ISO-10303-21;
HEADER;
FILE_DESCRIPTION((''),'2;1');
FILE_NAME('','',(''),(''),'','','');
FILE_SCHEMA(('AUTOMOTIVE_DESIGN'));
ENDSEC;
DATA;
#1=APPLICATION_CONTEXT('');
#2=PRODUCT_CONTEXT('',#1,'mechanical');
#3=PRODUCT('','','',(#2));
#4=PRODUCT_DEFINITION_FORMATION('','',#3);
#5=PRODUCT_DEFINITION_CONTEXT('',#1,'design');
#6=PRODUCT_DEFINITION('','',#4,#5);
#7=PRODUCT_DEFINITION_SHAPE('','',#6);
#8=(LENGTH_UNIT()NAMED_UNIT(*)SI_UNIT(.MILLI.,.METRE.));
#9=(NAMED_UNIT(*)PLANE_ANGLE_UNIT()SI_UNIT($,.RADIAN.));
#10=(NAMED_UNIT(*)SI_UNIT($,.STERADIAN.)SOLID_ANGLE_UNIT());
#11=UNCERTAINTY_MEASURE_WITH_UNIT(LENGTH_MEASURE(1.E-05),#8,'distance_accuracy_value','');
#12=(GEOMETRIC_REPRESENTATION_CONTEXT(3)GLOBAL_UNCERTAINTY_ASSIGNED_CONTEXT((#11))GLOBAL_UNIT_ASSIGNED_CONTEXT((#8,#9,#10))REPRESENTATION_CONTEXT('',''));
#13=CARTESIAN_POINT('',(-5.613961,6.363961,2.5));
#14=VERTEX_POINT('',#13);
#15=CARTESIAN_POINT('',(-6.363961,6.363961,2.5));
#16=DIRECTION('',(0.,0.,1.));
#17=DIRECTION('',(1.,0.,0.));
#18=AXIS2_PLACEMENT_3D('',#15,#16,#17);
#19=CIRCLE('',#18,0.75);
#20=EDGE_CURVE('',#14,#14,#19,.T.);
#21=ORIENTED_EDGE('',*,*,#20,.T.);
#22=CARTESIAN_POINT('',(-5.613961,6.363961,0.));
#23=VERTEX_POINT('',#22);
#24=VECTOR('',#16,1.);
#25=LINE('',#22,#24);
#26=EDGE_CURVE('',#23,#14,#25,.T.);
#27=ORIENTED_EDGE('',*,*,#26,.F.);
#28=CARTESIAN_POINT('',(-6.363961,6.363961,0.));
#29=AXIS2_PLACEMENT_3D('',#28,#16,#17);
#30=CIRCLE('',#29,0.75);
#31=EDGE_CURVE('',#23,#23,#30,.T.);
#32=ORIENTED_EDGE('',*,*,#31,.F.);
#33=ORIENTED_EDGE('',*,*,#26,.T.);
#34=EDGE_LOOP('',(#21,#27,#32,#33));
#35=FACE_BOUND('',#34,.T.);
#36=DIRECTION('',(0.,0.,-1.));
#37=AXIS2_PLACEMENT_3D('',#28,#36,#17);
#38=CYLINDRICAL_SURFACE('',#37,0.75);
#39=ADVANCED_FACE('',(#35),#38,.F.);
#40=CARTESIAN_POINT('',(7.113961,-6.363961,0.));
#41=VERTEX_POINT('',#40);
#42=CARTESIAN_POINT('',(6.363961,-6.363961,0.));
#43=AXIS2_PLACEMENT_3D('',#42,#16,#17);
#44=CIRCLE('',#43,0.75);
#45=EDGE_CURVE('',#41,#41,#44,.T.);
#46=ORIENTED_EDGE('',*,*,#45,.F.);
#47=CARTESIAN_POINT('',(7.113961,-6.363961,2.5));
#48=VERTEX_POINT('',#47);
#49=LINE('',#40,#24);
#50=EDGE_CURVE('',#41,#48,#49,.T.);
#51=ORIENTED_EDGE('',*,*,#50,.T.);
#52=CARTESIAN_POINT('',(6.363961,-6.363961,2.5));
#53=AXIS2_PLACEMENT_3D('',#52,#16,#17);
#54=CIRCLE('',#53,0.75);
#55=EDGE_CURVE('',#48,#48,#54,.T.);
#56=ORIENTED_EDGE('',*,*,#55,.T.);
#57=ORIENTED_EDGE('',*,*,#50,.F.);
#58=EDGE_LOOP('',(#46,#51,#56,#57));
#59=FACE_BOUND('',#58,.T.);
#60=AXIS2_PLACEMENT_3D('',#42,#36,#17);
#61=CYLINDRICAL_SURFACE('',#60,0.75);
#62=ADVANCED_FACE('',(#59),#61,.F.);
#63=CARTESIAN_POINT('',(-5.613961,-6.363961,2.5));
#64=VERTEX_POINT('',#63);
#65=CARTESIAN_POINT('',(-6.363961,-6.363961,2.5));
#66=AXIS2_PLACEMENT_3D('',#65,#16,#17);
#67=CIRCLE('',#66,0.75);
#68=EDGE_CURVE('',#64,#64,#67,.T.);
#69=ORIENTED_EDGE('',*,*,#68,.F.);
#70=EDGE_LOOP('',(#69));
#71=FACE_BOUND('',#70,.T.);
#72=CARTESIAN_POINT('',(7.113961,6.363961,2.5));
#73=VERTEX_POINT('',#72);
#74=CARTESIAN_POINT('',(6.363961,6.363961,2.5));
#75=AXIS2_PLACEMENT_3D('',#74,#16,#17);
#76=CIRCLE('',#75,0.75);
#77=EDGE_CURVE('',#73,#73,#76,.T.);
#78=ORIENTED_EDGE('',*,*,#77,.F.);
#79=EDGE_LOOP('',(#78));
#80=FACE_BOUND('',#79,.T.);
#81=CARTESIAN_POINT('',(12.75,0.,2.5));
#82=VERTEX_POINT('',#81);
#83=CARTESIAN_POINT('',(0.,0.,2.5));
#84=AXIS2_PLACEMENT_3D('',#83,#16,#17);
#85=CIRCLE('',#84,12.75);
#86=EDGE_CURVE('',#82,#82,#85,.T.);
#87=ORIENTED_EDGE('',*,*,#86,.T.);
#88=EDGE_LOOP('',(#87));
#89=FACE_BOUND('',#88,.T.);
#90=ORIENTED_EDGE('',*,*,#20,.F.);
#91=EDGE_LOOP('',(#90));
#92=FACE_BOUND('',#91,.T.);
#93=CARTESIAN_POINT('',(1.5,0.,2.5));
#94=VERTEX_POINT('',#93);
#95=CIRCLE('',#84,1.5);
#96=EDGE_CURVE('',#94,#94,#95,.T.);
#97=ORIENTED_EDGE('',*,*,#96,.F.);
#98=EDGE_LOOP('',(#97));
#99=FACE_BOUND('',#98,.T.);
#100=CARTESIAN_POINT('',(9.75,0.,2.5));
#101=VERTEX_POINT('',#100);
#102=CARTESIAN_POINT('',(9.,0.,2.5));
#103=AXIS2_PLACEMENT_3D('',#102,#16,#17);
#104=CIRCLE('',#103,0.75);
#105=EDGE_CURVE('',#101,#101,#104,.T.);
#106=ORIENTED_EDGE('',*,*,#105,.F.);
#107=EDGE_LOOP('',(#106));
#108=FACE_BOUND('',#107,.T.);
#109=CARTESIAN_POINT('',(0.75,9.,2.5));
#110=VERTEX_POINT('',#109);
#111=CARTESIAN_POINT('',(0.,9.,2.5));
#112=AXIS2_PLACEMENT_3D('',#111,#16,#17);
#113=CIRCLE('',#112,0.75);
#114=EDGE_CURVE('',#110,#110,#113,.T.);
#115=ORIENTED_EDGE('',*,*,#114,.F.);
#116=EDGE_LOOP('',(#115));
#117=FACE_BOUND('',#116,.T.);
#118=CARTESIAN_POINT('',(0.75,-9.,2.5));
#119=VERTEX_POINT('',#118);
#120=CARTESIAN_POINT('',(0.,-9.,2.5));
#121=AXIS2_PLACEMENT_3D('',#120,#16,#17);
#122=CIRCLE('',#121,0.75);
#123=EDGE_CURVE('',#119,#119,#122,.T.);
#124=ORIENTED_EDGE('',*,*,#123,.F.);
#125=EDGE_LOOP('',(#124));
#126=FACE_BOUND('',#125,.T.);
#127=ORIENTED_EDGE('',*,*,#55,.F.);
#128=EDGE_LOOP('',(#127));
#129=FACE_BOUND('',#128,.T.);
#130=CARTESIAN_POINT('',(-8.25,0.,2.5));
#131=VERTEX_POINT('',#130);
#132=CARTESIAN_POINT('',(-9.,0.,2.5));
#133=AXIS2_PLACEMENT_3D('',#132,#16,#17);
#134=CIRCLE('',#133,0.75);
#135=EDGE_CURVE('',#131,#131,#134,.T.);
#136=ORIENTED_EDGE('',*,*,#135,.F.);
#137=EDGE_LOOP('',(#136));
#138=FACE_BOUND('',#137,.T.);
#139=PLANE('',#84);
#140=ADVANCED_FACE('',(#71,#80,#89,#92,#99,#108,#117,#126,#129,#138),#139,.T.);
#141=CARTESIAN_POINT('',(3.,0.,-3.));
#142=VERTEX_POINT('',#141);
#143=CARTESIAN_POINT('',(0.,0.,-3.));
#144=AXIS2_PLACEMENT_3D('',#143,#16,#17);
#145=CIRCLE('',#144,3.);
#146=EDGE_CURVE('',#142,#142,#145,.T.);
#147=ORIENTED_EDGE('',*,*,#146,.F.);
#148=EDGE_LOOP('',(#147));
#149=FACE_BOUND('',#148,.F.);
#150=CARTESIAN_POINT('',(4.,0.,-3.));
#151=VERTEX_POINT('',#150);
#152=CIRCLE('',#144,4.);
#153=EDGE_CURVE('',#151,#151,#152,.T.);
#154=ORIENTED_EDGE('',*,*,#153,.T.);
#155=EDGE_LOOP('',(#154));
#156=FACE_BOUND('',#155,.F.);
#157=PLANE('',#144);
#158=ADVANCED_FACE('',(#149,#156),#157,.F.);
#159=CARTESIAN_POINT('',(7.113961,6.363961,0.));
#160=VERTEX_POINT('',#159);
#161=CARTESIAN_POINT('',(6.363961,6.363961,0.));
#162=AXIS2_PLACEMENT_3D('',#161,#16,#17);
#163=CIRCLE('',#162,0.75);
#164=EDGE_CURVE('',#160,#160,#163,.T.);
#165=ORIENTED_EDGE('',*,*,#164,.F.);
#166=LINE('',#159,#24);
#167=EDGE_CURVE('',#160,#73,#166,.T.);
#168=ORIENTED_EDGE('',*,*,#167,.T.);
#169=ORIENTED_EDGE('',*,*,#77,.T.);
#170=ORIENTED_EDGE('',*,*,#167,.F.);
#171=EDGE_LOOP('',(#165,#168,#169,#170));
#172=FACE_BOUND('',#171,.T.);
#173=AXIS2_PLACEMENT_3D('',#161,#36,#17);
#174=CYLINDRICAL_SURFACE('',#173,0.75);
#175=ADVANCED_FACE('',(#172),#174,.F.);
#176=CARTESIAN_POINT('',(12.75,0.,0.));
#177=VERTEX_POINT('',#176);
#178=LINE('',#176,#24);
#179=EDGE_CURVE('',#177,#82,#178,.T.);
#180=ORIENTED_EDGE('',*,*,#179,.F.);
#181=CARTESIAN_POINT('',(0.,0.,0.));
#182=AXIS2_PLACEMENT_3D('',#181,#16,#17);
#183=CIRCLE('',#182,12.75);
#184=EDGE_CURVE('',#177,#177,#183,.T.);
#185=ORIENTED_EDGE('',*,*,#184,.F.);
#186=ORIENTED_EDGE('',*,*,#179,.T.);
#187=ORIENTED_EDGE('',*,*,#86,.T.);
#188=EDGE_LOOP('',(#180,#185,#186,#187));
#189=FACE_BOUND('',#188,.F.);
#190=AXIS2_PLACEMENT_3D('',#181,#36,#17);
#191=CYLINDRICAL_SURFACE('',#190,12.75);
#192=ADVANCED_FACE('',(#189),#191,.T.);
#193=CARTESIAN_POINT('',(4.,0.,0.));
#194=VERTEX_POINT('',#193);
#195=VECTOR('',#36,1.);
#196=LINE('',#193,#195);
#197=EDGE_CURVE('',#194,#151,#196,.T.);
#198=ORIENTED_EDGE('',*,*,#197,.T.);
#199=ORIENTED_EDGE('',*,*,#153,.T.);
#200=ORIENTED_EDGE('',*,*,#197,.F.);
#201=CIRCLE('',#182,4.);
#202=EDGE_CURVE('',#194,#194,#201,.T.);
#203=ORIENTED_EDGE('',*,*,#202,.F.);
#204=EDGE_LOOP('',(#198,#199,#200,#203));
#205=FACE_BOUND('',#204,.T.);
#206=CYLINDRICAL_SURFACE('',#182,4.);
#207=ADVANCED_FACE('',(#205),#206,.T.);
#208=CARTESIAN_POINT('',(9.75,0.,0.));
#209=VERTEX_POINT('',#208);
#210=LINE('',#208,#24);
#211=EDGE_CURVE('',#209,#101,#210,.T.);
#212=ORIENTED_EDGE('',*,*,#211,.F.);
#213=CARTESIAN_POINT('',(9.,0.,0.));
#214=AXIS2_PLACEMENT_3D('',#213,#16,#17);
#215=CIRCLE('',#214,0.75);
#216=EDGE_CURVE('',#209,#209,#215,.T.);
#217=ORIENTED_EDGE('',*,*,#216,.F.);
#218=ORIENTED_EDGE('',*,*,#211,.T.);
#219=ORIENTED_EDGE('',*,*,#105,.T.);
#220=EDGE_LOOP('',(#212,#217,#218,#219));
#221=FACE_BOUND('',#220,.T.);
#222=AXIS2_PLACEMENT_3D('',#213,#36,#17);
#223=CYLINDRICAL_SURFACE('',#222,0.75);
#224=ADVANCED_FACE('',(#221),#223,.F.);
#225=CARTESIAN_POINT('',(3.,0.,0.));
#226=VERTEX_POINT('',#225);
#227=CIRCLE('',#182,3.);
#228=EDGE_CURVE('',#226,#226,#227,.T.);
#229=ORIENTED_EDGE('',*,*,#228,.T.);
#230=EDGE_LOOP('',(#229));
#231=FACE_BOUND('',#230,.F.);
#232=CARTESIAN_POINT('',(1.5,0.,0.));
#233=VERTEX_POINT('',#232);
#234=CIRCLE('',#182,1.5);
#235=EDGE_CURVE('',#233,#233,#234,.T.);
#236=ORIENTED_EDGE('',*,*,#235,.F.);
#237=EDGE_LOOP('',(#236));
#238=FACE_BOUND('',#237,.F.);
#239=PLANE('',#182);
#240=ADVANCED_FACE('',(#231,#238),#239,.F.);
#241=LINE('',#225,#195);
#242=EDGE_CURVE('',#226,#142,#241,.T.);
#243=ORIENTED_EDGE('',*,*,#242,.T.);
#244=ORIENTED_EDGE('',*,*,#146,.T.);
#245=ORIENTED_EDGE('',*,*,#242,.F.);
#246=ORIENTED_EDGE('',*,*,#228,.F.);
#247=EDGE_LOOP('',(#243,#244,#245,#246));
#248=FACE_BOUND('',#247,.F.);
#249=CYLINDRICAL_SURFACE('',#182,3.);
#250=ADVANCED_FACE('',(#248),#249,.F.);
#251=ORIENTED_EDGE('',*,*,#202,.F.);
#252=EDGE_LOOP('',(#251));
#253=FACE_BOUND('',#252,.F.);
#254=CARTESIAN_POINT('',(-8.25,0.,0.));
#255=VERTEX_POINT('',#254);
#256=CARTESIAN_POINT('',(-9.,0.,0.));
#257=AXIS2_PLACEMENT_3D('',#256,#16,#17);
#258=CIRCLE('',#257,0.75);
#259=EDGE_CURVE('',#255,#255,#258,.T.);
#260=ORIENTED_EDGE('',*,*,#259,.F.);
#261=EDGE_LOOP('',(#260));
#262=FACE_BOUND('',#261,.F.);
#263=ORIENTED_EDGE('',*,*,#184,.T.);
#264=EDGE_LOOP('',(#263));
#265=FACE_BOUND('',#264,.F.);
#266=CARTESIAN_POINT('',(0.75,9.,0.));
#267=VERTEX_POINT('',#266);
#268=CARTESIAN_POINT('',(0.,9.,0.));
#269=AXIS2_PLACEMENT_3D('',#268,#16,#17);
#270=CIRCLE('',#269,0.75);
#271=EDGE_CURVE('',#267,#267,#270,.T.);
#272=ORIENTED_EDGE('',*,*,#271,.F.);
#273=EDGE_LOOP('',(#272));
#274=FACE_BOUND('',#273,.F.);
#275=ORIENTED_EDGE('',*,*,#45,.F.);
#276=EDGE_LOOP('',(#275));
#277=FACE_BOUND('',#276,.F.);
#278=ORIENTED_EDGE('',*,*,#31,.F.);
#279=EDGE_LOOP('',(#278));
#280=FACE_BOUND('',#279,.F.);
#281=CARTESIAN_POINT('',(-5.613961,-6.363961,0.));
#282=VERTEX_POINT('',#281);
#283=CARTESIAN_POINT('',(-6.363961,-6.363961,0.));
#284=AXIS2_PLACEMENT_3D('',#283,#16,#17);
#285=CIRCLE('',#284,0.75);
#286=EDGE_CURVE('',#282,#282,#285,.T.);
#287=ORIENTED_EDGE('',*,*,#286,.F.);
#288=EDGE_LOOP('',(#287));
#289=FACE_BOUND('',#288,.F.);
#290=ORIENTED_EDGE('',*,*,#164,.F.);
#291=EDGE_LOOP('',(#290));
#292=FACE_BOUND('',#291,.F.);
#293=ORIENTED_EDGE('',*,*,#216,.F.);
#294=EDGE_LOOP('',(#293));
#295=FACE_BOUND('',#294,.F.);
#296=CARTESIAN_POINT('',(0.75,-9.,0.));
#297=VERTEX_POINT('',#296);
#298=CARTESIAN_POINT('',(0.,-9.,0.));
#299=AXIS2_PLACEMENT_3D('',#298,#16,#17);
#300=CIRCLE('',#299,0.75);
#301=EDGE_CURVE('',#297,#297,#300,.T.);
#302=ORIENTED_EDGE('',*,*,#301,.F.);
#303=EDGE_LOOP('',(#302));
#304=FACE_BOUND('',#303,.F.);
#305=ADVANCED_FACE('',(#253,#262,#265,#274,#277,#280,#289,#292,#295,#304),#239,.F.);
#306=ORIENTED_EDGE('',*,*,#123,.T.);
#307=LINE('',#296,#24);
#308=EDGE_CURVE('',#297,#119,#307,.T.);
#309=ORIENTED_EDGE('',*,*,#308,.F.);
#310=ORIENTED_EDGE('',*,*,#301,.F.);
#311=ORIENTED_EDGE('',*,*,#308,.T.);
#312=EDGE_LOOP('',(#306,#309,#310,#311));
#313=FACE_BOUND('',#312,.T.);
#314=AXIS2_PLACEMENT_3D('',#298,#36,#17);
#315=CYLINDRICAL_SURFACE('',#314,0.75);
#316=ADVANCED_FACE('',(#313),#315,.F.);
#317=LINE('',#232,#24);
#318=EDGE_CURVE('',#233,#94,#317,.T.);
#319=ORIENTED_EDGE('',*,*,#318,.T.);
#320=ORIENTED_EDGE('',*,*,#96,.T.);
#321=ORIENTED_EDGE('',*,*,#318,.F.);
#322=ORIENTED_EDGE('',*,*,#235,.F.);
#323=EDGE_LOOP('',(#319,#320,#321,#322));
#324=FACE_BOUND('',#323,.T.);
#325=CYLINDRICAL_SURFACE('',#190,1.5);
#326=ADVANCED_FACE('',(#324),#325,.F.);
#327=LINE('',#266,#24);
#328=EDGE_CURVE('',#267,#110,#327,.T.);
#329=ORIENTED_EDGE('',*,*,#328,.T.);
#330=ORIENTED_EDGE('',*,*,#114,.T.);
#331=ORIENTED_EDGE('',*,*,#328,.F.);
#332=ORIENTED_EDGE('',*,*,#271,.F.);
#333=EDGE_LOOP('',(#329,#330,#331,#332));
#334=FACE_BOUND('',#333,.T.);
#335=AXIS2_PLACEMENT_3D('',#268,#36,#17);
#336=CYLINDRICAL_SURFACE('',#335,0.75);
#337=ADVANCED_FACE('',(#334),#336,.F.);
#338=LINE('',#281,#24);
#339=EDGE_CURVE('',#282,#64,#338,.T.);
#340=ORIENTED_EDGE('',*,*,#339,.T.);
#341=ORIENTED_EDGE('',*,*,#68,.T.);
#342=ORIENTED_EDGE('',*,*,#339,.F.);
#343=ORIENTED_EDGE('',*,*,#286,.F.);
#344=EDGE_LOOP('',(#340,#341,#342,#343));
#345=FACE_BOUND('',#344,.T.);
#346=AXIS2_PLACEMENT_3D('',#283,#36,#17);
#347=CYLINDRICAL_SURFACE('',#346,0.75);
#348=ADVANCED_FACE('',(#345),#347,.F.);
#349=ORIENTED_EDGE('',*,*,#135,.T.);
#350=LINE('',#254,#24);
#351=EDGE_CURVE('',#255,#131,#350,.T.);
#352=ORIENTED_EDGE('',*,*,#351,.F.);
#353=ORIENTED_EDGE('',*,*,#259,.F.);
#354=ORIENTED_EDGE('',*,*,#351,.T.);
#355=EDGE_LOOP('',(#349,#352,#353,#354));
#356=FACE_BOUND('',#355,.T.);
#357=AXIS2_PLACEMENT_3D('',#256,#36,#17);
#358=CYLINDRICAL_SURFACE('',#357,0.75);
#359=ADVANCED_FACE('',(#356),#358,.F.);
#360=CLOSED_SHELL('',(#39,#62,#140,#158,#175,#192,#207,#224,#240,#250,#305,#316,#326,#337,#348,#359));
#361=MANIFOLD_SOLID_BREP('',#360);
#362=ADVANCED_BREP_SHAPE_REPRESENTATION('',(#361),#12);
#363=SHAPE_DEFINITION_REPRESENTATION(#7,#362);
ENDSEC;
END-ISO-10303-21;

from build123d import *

# Parameters (mm, degrees)
F0_R     = 12.75
F0_R_2   = 0.75
F0_R_3   = 4
F0_R_4   = 3
F0_R_5   = 1.5
F1_DEPTH = 2.5
F2_DEPTH = 3


with BuildPart() as f1:
    # F0 (on Top) → F1 (new body)
    with BuildSketch(Plane.XY):
        Circle(F0_R)
        with Locations((-6.3639610307, -6.3639610307)):
            Circle(F0_R_2, mode=Mode.SUBTRACT)
        with Locations((0, -9)):
            Circle(F0_R_2, mode=Mode.SUBTRACT)
        with Locations((6.3639610307, -6.3639610307)):
            Circle(F0_R_2, mode=Mode.SUBTRACT)
        with Locations((-9, 0)):
            Circle(F0_R_2, mode=Mode.SUBTRACT)
        with Locations((-6.3639610307, 6.3639610307)):
            Circle(F0_R_2, mode=Mode.SUBTRACT)
        Circle(F0_R_3, mode=Mode.SUBTRACT)
        with Locations((6.3639610307, 6.3639610307)):
            Circle(F0_R_2, mode=Mode.SUBTRACT)
        with Locations((9, 0)):
            Circle(F0_R_2, mode=Mode.SUBTRACT)
        with Locations((0, 9)):
            Circle(F0_R_2, mode=Mode.SUBTRACT)
        Circle(F0_R_3)
        Circle(F0_R_4, mode=Mode.SUBTRACT)
        Circle(F0_R_4)
        Circle(F0_R_5, mode=Mode.SUBTRACT)
    extrude(amount=F1_DEPTH)

    # F0 (on Top) → F2 (join)
    with BuildSketch(Plane.XY):
        Circle(F0_R_3)
        Circle(F0_R_4, mode=Mode.SUBTRACT)
    extrude(amount=-F2_DEPTH)


solid = f1.part
